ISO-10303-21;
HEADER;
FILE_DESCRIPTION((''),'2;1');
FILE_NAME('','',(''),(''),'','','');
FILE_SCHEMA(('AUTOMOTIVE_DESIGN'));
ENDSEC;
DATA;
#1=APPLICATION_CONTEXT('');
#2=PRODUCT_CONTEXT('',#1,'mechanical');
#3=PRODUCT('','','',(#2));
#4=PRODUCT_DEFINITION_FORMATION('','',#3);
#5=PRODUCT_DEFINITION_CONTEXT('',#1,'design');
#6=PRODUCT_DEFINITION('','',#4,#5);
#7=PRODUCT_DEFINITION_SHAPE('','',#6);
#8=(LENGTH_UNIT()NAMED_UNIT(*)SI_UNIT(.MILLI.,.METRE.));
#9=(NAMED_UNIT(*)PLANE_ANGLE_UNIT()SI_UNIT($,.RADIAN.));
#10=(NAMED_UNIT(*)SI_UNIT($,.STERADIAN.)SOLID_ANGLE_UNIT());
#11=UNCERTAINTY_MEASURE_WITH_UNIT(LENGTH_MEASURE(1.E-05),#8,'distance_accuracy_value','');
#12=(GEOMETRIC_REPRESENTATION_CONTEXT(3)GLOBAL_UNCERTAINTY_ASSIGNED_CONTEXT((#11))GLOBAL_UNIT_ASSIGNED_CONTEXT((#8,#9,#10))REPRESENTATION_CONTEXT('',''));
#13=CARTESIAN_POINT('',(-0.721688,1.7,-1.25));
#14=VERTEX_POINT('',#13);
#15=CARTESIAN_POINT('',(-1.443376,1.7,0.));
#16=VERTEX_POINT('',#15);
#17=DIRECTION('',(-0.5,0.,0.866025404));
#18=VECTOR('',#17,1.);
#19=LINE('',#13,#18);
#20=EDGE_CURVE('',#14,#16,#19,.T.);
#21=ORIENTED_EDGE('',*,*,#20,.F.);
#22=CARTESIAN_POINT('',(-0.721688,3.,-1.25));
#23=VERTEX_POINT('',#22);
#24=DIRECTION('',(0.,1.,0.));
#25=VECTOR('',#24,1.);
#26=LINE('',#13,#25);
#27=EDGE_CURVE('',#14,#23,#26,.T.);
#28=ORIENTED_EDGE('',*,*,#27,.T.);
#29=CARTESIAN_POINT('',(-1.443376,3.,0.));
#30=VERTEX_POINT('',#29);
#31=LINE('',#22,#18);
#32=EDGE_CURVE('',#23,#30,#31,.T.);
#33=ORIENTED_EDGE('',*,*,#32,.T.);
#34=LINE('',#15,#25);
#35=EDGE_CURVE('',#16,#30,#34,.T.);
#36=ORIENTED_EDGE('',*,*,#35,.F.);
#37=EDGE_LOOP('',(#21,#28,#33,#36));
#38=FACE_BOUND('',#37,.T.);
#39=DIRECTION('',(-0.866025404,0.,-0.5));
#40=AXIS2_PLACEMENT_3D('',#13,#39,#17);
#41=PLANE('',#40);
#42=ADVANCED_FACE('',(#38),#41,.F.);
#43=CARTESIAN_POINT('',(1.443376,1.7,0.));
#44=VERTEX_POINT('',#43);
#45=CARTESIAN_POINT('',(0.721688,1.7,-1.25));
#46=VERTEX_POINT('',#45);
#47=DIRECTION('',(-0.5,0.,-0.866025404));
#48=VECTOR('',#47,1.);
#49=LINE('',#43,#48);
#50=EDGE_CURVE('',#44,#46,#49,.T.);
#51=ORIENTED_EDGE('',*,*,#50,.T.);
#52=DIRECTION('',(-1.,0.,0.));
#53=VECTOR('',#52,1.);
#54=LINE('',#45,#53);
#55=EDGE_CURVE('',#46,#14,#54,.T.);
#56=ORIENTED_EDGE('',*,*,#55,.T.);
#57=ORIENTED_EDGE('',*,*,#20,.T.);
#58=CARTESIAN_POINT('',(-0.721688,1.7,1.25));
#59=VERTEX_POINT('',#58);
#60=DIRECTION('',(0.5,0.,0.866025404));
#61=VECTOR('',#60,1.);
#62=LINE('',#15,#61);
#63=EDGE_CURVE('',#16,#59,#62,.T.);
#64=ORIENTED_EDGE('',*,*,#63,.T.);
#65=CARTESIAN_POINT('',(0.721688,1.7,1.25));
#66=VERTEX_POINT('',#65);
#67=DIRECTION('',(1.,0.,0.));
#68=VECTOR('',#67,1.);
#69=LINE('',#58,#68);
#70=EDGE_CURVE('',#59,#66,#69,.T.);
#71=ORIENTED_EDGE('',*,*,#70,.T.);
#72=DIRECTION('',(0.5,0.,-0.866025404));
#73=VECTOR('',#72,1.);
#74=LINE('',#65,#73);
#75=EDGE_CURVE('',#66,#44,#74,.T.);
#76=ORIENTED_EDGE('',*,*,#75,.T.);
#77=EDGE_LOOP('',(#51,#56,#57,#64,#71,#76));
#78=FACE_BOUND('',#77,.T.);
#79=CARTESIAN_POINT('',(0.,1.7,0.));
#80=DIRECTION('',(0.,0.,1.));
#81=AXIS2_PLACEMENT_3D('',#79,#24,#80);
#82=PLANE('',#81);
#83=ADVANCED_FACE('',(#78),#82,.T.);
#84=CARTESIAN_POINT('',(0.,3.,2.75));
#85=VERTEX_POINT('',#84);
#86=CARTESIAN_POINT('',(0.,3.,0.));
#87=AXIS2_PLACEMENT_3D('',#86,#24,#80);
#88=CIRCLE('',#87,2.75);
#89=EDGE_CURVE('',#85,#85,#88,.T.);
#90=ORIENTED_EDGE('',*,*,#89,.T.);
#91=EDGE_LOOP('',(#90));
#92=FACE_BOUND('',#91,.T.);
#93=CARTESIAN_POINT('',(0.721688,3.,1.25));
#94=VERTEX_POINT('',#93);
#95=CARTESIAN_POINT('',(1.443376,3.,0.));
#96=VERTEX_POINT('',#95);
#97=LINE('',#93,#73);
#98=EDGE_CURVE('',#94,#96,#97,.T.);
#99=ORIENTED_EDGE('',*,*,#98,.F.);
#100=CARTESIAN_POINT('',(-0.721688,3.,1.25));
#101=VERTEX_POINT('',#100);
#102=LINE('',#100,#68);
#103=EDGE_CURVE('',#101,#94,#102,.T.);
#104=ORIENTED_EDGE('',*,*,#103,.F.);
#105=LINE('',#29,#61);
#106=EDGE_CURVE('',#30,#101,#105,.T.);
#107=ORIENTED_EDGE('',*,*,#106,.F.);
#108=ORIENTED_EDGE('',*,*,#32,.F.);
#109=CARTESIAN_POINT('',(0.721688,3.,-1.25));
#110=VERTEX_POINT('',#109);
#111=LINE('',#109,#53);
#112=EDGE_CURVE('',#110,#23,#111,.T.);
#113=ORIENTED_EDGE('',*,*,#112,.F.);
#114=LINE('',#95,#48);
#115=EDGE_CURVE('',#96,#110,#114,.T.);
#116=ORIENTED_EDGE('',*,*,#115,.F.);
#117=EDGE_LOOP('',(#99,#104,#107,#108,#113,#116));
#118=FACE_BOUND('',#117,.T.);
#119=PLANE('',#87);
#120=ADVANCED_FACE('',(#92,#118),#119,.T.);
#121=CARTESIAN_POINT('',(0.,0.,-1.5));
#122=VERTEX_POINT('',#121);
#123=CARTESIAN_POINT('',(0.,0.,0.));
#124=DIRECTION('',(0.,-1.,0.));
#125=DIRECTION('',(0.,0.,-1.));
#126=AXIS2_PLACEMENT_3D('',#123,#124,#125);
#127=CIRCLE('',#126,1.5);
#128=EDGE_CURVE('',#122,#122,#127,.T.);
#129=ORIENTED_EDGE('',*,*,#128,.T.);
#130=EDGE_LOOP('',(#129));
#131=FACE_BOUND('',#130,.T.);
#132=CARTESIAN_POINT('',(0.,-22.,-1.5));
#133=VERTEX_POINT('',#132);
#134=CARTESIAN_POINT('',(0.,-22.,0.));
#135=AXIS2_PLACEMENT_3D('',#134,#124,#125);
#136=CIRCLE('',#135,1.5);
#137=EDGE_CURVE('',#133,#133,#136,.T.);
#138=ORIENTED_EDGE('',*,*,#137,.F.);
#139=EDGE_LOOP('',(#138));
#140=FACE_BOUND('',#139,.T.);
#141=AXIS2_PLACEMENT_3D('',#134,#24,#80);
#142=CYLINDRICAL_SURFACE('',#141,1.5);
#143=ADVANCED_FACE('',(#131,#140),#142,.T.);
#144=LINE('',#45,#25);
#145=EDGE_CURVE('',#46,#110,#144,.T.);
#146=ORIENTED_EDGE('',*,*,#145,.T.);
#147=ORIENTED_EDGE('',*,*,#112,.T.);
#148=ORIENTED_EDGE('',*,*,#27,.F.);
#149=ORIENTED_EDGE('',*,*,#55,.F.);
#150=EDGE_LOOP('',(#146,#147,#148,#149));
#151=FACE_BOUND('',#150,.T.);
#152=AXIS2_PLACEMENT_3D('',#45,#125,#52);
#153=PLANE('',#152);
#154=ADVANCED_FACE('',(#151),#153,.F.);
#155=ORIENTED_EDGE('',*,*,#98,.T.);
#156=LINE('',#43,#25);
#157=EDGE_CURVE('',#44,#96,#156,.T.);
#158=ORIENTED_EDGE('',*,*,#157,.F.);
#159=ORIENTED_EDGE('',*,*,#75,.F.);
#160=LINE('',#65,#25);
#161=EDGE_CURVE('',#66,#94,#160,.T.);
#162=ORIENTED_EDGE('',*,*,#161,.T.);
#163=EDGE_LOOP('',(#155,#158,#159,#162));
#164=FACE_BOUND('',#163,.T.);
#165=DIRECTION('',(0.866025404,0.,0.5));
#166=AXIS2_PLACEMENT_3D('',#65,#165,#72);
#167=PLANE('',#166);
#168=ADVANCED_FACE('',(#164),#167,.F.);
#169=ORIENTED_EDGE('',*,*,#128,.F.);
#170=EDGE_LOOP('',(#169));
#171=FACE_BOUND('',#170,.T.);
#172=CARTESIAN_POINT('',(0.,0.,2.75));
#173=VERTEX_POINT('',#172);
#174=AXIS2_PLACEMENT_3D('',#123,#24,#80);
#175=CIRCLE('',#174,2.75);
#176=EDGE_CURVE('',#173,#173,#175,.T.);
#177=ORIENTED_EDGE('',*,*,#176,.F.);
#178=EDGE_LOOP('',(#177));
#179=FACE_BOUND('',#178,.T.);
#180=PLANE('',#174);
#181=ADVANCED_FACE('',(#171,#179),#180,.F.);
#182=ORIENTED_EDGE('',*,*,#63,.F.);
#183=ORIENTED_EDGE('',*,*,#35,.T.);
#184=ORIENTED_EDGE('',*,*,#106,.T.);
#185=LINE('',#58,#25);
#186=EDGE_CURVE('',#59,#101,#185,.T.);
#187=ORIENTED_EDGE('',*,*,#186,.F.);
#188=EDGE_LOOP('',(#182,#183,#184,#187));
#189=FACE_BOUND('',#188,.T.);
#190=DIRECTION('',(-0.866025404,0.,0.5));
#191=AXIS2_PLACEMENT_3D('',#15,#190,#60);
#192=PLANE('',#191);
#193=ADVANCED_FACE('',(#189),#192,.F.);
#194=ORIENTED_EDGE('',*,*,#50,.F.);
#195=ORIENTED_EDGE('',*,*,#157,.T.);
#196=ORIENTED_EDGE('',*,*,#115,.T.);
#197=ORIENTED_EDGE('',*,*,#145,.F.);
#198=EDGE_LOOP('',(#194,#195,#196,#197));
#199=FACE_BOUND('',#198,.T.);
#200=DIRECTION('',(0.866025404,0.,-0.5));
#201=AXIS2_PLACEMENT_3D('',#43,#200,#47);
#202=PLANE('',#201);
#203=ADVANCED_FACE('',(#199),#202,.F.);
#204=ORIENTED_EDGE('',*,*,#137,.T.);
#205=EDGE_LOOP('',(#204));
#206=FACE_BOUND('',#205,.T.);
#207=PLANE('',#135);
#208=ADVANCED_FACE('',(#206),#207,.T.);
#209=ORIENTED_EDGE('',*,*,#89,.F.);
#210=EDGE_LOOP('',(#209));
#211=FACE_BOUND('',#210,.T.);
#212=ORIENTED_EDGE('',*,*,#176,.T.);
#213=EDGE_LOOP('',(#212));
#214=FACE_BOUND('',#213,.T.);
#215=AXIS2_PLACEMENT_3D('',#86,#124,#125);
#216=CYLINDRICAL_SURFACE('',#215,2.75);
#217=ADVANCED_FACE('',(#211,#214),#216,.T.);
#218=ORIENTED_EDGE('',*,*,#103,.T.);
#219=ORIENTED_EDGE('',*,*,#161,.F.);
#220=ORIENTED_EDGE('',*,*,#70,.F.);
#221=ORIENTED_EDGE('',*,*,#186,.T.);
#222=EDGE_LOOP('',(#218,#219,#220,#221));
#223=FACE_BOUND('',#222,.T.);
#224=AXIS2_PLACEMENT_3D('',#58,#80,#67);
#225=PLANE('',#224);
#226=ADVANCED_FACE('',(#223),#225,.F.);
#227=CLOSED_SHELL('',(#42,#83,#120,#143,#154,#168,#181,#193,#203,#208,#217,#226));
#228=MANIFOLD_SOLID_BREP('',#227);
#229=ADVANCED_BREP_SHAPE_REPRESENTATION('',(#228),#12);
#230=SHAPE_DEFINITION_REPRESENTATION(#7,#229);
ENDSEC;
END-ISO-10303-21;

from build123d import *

# Parameters (mm, degrees)
SKETCH_1_R            = 2.75
EXTRUDE_248_DEPTH     = 3
CUT_EXTRUDE_378_DEPTH = 1.3
SKETCH_3_R            = 1.5
EXTRUDE_479_DEPTH     = 22


with BuildPart() as part:
    # 草图1 → Extrude 248 (new body)
    with BuildSketch(Plane(origin=(0, 0, 0), x_dir=(1, 0, 0), z_dir=(0, 1, 0))):
        Circle(SKETCH_1_R)
    extrude(amount=EXTRUDE_248_DEPTH)

    # 草图2 → Cut-Extrude 378 (cut)
    with BuildSketch(Plane(origin=(0, 3, 0), x_dir=(1, 0, 0), z_dir=(0, 1, 0))):
        Polygon((1.443375673, 0), (0.721687836, 1.25), (-0.721687836, 1.25), (-1.443375673, 0), (-0.721687836, -1.25), (0.721687836, -1.25), align=None)
    extrude(amount=-CUT_EXTRUDE_378_DEPTH, mode=Mode.SUBTRACT)

    # 草图3 → Extrude 479 (add)
    with BuildSketch(Plane.XZ):
        Circle(SKETCH_3_R)
    extrude(amount=EXTRUDE_479_DEPTH)


solid = part.part
